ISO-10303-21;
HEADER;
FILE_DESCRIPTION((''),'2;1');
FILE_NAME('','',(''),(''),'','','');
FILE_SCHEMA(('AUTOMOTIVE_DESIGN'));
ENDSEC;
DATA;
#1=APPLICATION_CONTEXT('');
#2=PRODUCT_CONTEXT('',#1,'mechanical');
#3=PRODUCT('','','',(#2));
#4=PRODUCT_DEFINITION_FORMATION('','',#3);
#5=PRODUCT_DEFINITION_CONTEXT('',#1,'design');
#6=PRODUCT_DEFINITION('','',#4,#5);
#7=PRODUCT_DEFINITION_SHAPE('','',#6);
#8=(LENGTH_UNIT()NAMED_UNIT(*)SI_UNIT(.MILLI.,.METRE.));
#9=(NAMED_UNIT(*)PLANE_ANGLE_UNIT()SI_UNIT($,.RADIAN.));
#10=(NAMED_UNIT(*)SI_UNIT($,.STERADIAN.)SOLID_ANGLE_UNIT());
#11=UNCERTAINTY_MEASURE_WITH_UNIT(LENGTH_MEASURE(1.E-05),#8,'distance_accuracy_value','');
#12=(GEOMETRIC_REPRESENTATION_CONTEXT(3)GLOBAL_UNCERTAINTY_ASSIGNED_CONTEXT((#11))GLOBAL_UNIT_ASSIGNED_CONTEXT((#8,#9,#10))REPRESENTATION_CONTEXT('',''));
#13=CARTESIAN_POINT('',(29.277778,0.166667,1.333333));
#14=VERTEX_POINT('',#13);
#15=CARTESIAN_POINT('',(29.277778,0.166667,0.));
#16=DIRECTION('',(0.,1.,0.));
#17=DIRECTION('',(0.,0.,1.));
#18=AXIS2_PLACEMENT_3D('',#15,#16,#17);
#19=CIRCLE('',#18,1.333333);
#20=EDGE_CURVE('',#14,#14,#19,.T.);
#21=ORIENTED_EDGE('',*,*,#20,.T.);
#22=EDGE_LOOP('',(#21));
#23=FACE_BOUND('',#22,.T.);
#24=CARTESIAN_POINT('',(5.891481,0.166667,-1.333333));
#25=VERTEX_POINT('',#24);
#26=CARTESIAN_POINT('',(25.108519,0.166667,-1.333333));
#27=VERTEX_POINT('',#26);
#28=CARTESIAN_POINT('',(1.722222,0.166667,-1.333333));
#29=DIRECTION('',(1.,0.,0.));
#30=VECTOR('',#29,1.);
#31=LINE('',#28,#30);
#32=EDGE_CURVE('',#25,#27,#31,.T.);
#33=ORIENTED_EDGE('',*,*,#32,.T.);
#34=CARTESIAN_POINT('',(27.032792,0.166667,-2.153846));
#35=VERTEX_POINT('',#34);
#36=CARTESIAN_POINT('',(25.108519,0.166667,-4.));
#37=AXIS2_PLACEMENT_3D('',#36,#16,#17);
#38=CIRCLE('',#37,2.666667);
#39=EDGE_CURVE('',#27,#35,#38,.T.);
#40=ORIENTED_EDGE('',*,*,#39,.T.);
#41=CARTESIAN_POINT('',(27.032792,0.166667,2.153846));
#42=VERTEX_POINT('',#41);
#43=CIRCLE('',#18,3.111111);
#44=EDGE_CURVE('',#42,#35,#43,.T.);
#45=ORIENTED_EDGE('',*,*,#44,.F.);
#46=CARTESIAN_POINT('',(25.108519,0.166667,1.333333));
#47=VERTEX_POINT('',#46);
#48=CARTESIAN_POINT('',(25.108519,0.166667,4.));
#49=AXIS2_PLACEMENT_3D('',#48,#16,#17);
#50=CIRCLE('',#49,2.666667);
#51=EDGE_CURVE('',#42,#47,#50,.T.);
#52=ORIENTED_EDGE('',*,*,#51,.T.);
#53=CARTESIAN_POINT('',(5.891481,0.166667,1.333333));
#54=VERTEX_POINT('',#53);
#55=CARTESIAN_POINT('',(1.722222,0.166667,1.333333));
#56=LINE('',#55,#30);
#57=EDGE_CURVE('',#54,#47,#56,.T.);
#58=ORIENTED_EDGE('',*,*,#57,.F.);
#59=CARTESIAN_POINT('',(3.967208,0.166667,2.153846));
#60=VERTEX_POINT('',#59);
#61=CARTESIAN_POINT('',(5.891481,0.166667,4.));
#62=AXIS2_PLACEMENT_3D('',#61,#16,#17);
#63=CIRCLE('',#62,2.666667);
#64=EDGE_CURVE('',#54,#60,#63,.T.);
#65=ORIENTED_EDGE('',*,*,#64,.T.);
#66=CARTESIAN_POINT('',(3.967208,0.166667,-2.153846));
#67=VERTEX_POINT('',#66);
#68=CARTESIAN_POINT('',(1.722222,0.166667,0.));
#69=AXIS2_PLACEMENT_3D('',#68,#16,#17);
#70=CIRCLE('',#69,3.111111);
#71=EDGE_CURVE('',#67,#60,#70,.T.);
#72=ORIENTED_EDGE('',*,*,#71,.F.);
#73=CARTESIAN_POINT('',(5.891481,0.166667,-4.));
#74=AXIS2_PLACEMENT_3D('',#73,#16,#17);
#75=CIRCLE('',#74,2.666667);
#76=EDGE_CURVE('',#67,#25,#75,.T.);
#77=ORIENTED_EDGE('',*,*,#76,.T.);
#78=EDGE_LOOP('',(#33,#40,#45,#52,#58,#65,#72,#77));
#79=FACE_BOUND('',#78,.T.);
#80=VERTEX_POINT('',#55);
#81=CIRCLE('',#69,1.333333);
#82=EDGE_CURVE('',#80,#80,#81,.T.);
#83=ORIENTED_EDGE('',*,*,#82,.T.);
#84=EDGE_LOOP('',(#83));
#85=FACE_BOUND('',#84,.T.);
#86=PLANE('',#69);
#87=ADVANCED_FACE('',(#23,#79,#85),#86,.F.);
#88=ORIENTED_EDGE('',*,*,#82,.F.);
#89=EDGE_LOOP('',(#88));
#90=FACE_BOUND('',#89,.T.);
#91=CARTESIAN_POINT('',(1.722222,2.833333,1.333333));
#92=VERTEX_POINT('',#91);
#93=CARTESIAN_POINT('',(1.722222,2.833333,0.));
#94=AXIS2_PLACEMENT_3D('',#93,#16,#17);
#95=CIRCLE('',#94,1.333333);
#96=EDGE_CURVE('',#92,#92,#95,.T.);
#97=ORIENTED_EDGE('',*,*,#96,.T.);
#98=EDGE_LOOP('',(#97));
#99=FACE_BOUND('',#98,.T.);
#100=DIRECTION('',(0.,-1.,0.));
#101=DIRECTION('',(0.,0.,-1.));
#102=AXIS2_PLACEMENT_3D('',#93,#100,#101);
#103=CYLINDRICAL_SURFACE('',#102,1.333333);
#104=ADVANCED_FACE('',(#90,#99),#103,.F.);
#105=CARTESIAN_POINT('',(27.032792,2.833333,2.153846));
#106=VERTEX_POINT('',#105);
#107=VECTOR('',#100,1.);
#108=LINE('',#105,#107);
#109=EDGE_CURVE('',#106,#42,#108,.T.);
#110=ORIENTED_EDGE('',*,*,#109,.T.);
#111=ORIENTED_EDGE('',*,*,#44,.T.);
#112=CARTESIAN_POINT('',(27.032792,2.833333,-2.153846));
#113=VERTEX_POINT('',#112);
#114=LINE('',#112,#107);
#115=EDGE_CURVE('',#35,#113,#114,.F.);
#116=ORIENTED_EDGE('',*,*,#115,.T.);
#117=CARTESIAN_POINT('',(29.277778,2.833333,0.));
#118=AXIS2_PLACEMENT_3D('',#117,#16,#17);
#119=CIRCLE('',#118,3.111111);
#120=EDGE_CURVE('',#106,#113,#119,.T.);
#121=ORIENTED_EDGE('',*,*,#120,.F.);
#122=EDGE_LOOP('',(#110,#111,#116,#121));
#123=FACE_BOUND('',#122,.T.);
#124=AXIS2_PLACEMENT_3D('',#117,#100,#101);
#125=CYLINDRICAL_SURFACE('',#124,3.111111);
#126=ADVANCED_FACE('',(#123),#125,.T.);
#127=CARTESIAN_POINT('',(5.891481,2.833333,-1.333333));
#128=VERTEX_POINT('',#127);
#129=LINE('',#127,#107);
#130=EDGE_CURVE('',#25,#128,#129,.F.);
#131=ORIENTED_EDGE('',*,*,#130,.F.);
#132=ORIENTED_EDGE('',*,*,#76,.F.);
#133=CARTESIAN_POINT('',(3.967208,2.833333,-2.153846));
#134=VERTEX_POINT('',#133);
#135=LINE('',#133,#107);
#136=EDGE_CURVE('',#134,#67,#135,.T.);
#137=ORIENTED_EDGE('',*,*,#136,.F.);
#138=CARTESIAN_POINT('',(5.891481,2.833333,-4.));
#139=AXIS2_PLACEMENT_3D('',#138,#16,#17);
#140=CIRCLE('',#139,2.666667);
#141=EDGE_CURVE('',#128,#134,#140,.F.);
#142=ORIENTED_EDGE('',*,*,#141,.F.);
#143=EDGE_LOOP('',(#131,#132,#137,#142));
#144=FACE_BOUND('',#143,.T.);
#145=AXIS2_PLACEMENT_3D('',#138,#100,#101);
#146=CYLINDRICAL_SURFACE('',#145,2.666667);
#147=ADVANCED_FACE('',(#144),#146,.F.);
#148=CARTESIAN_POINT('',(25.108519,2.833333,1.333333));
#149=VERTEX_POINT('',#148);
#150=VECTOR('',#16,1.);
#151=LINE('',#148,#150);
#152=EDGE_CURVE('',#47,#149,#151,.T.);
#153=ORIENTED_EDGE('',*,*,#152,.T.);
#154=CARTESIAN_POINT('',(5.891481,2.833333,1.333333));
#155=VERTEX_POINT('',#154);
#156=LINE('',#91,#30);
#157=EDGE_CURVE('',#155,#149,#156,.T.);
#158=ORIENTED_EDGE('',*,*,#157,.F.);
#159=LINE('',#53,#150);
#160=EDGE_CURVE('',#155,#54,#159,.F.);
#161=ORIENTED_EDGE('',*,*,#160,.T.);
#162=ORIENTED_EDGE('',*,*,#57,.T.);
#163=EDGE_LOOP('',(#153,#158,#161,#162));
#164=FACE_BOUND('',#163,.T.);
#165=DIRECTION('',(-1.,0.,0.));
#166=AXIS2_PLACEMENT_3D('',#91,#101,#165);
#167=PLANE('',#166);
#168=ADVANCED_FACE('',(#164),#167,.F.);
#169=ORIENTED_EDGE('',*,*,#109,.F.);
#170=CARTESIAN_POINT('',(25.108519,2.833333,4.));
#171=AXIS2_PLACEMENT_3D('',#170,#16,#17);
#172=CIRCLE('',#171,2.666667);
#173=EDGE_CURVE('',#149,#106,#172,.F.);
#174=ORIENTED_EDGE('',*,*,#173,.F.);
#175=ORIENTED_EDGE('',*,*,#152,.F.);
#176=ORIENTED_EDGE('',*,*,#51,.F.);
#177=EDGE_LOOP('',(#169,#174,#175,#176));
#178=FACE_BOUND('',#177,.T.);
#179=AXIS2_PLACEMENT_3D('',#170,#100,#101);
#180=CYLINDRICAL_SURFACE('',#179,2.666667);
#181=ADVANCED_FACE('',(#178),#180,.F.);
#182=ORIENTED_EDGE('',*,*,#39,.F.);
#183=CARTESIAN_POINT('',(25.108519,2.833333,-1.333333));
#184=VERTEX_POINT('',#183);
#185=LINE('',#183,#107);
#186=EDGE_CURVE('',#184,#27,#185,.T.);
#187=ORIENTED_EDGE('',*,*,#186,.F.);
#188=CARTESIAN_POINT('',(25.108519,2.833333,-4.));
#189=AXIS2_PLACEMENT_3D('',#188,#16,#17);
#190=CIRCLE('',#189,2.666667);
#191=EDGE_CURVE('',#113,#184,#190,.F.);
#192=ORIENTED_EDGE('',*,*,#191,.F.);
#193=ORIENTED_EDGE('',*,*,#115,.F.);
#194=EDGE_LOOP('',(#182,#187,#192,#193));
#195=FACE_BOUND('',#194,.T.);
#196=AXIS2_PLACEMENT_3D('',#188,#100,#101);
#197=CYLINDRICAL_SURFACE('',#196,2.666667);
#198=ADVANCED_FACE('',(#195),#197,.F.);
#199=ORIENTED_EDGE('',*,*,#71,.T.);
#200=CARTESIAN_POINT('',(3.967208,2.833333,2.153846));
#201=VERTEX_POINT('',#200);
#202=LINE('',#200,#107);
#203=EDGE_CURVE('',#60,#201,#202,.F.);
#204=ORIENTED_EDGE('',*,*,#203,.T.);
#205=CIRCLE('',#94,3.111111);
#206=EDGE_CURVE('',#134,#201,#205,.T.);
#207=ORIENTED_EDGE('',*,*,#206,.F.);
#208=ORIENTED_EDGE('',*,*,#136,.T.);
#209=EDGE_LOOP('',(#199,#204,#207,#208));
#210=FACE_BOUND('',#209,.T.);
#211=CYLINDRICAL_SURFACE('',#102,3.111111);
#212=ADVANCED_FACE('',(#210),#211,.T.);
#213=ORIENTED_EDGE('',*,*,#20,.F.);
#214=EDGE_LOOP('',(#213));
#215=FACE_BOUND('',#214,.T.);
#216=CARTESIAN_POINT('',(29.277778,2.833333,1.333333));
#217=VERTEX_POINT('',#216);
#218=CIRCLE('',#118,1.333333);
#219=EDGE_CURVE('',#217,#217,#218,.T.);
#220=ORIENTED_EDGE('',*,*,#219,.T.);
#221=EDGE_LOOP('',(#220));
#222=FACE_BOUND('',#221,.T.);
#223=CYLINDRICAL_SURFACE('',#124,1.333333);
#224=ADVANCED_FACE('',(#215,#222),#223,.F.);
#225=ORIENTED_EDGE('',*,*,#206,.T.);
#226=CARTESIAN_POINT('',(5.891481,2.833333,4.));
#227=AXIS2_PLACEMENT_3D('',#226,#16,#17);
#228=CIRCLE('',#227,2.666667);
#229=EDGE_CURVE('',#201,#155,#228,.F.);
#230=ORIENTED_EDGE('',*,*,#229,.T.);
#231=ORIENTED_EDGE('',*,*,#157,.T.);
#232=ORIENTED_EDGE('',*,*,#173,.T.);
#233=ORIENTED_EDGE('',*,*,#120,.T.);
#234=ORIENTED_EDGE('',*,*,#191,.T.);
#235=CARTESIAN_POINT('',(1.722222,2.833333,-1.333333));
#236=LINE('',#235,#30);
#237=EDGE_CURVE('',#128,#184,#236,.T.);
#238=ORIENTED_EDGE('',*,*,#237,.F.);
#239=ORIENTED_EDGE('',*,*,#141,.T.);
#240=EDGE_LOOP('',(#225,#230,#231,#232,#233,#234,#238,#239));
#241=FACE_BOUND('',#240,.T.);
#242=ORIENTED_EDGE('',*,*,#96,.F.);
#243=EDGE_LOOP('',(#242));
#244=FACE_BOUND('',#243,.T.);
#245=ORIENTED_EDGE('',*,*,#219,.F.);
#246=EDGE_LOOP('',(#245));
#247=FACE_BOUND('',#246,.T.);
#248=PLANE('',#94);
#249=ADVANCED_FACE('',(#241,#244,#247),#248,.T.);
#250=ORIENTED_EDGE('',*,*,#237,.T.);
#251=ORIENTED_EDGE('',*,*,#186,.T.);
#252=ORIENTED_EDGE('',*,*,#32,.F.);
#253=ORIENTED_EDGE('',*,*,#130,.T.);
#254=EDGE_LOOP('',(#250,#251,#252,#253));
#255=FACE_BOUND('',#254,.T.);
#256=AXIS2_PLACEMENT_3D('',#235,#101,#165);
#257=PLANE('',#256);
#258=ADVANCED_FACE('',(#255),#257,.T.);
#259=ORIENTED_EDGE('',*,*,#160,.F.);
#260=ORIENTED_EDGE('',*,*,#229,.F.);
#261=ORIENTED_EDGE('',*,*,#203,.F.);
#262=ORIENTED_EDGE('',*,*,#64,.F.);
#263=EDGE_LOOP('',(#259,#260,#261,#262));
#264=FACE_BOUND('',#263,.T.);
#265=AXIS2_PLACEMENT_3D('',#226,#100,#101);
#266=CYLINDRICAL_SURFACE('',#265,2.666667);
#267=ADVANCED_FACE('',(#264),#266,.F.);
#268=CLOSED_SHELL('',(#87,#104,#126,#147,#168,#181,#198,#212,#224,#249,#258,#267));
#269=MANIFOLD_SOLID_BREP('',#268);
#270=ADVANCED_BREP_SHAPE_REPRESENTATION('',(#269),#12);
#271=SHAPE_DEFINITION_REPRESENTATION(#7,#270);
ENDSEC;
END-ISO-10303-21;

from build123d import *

# Parameters (mm, degrees)
SKETCH1_R           = 1.5
BOSS_EXTRUDE1_DEPTH = 3
FILLET1_R           = 3
SCALE1_SCALE        = 0.888888889


with BuildPart() as part:
    # Sketch1 → Boss-Extrude1 (new body)
    with BuildSketch(Plane(origin=(0, 0, 0), x_dir=(1, 0, 0), z_dir=(0, 1, 0))):
        with BuildLine():
            ThreePointArc((3.16227766, 1.5), (-3.5, 0), (3.16227766, -1.5))
            Line((3.16227766, -1.5), (27.83772234, -1.5))
            ThreePointArc((27.83772234, -1.5), (34.5, 0), (27.83772234, 1.5))
            Line((27.83772234, 1.5), (3.16227766, 1.5))
        make_face()
        with Locations(Location((0, 0, 0), (0, 0, 270))):
            Circle(SKETCH1_R, mode=Mode.SUBTRACT)
        with Locations(Location((31, 0, 0), (0, 0, 270))):
            Circle(SKETCH1_R, mode=Mode.SUBTRACT)
    extrude(amount=BOSS_EXTRUDE1_DEPTH)

    # Fillet1
    fillet1_edges = [part.edges().sort_by_distance(p)[0] for p in [
        (27.83772234, 1.5, 1.5),
        (3.16227766, 1.5, 1.5),
        (3.16227766, 1.5, -1.5),
        (27.83772234, 1.5, -1.5),
    ]]
    fillet(fillet1_edges, radius=FILLET1_R)


with BuildPart() as part_1:
    # Scale1: scaled about (15.5, 1.5, 0)
    add(part.part.scale(SCALE1_SCALE).moved(Location((1.722222222, 0.166666667, 0))))


solid = part_1.part
